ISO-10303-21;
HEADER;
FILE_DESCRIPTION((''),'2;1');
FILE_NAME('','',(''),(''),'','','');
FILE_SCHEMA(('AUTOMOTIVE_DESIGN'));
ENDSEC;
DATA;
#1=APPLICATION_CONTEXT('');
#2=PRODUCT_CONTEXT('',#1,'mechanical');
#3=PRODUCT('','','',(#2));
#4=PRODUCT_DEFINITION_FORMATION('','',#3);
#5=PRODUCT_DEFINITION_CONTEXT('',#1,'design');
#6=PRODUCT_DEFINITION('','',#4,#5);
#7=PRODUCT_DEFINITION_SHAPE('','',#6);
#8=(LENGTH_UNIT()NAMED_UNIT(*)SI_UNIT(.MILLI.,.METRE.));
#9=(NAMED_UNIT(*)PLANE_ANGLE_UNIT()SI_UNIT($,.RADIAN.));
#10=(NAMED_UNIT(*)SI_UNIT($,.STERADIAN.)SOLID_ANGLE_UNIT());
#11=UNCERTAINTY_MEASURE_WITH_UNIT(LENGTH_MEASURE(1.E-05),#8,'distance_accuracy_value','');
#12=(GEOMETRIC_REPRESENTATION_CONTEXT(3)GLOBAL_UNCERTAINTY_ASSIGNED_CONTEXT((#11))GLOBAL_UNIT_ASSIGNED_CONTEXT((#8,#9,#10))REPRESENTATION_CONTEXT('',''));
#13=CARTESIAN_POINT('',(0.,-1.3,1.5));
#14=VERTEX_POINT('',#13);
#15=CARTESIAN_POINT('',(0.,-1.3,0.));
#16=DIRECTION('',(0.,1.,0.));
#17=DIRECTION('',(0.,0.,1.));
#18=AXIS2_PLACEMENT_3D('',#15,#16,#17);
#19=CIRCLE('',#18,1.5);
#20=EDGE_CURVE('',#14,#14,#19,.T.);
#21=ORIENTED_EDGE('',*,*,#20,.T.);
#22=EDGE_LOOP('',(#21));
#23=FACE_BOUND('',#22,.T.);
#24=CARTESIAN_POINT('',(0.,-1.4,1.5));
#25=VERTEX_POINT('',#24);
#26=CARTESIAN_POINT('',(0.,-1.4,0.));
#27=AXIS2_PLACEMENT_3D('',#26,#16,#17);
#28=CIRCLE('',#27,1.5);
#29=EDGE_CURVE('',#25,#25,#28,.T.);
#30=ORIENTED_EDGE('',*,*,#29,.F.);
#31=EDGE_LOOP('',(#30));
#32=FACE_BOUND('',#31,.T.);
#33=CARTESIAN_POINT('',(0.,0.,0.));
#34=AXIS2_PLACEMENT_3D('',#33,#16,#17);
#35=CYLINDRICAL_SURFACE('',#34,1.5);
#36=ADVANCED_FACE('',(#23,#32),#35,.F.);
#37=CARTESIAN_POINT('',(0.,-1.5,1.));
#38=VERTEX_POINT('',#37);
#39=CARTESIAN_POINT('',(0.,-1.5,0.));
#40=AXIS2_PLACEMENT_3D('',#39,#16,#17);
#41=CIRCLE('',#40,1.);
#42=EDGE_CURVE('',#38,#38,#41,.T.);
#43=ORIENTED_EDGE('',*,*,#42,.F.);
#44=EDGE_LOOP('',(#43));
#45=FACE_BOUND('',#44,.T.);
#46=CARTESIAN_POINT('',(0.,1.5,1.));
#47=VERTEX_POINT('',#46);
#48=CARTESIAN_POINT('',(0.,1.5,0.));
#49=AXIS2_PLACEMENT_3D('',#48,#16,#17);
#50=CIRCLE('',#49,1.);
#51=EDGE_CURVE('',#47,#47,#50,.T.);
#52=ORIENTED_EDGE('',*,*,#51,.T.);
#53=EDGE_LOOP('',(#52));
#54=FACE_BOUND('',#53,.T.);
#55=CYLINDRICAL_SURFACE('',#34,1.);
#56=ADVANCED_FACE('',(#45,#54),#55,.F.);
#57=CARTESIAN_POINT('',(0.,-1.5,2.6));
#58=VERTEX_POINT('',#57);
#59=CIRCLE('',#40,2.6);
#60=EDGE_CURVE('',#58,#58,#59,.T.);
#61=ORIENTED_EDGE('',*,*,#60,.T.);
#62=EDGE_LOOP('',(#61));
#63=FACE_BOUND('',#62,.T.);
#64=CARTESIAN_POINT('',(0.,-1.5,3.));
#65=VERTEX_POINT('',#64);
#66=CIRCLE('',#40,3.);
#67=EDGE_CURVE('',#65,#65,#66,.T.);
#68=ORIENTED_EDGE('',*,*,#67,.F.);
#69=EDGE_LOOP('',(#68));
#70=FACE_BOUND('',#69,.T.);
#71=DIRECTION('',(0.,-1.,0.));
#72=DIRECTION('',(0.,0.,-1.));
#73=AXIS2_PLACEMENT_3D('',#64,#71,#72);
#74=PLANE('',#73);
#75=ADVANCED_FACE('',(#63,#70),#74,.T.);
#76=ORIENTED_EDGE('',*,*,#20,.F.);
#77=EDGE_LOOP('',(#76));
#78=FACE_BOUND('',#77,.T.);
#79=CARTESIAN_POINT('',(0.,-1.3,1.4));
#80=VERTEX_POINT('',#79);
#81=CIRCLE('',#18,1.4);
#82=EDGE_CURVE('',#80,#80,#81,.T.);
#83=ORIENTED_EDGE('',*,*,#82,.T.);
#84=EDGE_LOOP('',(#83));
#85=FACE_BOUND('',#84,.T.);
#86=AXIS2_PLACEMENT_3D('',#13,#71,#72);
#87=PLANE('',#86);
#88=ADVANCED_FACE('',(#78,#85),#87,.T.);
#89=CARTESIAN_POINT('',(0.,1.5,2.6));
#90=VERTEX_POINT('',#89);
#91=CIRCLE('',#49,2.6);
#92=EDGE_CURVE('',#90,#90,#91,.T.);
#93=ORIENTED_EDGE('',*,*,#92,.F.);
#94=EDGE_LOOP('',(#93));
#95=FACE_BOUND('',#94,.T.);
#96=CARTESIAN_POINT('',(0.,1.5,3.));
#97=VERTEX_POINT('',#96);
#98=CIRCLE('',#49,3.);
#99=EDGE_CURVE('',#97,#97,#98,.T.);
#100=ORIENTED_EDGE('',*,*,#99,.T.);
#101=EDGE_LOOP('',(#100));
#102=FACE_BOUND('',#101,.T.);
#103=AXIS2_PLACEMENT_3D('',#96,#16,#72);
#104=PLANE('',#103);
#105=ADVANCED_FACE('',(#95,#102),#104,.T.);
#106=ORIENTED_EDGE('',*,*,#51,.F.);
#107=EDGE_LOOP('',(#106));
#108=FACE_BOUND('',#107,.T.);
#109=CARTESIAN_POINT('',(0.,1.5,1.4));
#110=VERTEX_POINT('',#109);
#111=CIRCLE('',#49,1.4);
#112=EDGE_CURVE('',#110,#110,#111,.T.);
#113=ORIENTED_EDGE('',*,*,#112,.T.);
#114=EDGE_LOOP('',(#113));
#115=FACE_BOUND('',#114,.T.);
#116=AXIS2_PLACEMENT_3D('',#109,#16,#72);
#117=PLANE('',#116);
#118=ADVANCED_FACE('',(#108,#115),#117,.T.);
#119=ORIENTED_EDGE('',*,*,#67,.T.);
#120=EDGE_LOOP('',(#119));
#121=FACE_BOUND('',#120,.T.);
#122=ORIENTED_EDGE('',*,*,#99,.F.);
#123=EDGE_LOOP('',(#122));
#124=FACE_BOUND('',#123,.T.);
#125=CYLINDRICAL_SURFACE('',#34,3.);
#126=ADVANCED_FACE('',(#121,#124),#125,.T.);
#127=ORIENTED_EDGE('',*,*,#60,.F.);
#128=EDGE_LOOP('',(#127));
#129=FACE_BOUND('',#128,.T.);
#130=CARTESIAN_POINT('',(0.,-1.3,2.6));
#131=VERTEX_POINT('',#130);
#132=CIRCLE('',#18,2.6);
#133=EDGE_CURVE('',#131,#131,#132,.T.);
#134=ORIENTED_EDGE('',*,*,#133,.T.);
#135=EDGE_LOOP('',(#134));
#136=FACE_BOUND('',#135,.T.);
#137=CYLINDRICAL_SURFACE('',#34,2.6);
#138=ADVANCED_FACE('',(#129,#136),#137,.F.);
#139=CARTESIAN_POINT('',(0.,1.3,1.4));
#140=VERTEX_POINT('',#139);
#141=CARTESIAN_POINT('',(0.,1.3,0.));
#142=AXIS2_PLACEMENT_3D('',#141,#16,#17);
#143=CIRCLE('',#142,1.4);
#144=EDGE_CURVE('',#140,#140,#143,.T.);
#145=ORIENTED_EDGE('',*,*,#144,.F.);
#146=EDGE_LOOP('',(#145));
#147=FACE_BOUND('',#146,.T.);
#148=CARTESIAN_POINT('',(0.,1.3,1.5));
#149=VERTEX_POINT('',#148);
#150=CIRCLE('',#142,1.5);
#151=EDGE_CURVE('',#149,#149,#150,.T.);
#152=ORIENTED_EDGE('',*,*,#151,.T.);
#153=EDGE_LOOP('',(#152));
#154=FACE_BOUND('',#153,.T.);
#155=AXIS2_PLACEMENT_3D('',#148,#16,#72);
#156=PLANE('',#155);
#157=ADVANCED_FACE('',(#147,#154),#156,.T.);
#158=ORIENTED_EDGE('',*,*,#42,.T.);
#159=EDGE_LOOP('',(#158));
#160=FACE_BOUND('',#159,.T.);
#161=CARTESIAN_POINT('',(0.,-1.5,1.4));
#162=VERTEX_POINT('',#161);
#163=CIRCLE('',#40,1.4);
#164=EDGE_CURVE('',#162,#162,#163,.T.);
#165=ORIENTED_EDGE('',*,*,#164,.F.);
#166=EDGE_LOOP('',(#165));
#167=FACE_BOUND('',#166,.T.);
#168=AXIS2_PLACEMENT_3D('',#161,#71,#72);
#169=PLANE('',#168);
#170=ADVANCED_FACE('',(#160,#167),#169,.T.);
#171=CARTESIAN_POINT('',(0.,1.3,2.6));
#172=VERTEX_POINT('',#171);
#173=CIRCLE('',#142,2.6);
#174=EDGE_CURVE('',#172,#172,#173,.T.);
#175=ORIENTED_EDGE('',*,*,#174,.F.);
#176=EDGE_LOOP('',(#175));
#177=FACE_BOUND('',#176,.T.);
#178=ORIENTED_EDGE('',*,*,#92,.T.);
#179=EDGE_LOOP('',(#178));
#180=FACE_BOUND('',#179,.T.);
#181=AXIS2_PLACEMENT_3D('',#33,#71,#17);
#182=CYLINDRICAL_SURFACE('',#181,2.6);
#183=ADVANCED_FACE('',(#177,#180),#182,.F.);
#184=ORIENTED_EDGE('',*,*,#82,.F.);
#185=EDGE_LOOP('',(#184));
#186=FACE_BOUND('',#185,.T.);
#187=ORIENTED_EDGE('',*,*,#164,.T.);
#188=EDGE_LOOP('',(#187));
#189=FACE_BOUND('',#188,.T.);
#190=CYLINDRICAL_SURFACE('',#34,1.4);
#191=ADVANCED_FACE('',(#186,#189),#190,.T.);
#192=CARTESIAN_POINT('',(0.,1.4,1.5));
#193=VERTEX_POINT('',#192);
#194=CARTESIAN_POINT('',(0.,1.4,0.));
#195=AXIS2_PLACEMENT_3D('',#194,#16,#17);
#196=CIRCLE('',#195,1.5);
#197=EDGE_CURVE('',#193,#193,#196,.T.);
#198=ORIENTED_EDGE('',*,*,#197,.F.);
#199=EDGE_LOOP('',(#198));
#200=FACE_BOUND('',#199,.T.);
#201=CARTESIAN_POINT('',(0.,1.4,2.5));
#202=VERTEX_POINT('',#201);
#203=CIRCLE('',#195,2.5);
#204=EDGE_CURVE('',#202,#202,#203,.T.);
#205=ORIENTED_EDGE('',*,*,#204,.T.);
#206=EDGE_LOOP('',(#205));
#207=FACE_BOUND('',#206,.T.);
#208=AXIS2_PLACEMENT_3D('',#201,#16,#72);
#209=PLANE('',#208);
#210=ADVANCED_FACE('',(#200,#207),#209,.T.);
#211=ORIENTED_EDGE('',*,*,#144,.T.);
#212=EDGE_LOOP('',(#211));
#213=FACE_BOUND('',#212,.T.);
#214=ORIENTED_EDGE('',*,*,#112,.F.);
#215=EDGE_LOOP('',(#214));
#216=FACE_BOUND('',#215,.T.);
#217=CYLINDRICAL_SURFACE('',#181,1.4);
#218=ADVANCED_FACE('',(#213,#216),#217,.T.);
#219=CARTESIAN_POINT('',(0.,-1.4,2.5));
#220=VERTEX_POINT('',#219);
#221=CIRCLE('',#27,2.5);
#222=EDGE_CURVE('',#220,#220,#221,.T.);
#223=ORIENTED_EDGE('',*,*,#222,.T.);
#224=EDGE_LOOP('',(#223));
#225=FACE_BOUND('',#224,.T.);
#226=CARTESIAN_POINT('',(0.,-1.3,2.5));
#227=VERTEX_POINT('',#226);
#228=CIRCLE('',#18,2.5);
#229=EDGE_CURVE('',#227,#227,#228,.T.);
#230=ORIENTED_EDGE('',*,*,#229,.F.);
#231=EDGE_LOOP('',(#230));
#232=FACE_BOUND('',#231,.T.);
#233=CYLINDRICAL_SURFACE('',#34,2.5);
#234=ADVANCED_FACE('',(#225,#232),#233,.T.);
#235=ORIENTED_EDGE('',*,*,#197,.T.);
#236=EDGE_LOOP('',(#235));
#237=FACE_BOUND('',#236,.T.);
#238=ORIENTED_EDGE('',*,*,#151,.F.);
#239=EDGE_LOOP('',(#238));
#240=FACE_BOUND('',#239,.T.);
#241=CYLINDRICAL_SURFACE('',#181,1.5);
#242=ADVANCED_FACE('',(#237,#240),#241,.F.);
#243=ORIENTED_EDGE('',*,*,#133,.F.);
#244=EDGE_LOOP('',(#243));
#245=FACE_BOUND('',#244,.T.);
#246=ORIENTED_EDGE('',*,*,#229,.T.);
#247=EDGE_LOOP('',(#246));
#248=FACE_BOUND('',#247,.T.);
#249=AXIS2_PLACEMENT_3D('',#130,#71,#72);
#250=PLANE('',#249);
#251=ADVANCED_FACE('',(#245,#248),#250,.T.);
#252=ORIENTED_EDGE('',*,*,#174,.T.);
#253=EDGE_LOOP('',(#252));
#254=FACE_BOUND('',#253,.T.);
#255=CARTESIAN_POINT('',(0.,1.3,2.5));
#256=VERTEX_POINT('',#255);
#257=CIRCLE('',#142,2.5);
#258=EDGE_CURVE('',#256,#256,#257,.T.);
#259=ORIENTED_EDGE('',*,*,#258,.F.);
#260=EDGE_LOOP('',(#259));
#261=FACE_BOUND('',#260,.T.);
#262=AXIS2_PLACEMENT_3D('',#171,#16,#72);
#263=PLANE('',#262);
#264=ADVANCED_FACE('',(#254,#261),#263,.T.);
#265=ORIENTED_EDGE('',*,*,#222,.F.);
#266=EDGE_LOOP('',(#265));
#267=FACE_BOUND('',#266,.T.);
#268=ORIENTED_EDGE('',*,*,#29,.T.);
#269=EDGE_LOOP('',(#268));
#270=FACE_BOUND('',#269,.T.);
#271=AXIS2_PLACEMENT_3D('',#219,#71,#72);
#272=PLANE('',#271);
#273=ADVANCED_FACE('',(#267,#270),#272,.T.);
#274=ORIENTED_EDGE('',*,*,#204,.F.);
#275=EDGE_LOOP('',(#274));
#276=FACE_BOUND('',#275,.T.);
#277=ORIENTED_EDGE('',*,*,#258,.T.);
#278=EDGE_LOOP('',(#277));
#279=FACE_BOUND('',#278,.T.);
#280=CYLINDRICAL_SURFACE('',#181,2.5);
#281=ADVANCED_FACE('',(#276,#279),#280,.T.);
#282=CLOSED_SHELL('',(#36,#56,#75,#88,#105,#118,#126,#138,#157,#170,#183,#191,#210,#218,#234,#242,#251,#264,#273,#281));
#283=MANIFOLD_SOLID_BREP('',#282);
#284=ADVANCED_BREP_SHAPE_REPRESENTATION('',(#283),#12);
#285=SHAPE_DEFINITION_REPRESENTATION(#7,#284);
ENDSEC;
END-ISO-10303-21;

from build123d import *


with BuildPart() as part:
    # Sketch1 → Revolve1 (revolve)
    with BuildSketch(Plane(origin=(0, 0, 0), x_dir=(0, 0, -1), z_dir=(1, 0, 0))):
        Polygon((-3, 0), (-3, -1.5), (-2.6, -1.5), (-2.6, -1.3), (-2.5, -1.3), (-2.5, -1.4), (-1.5, -1.4), (-1.5, -1.3), (-1.4, -1.3), (-1.4, -1.5), (-1, -1.5), (-1, 0), align=None)
    revolve1 = revolve(axis=Axis((0, 0, 0), (0, -1, 0)))

    # Mirror1: Revolve1 across plane
    add(revolve1.mirror(Plane(origin=(0, 0, 1), x_dir=(0, 0, 1), z_dir=(0, 1, 0))))


solid = part.part
